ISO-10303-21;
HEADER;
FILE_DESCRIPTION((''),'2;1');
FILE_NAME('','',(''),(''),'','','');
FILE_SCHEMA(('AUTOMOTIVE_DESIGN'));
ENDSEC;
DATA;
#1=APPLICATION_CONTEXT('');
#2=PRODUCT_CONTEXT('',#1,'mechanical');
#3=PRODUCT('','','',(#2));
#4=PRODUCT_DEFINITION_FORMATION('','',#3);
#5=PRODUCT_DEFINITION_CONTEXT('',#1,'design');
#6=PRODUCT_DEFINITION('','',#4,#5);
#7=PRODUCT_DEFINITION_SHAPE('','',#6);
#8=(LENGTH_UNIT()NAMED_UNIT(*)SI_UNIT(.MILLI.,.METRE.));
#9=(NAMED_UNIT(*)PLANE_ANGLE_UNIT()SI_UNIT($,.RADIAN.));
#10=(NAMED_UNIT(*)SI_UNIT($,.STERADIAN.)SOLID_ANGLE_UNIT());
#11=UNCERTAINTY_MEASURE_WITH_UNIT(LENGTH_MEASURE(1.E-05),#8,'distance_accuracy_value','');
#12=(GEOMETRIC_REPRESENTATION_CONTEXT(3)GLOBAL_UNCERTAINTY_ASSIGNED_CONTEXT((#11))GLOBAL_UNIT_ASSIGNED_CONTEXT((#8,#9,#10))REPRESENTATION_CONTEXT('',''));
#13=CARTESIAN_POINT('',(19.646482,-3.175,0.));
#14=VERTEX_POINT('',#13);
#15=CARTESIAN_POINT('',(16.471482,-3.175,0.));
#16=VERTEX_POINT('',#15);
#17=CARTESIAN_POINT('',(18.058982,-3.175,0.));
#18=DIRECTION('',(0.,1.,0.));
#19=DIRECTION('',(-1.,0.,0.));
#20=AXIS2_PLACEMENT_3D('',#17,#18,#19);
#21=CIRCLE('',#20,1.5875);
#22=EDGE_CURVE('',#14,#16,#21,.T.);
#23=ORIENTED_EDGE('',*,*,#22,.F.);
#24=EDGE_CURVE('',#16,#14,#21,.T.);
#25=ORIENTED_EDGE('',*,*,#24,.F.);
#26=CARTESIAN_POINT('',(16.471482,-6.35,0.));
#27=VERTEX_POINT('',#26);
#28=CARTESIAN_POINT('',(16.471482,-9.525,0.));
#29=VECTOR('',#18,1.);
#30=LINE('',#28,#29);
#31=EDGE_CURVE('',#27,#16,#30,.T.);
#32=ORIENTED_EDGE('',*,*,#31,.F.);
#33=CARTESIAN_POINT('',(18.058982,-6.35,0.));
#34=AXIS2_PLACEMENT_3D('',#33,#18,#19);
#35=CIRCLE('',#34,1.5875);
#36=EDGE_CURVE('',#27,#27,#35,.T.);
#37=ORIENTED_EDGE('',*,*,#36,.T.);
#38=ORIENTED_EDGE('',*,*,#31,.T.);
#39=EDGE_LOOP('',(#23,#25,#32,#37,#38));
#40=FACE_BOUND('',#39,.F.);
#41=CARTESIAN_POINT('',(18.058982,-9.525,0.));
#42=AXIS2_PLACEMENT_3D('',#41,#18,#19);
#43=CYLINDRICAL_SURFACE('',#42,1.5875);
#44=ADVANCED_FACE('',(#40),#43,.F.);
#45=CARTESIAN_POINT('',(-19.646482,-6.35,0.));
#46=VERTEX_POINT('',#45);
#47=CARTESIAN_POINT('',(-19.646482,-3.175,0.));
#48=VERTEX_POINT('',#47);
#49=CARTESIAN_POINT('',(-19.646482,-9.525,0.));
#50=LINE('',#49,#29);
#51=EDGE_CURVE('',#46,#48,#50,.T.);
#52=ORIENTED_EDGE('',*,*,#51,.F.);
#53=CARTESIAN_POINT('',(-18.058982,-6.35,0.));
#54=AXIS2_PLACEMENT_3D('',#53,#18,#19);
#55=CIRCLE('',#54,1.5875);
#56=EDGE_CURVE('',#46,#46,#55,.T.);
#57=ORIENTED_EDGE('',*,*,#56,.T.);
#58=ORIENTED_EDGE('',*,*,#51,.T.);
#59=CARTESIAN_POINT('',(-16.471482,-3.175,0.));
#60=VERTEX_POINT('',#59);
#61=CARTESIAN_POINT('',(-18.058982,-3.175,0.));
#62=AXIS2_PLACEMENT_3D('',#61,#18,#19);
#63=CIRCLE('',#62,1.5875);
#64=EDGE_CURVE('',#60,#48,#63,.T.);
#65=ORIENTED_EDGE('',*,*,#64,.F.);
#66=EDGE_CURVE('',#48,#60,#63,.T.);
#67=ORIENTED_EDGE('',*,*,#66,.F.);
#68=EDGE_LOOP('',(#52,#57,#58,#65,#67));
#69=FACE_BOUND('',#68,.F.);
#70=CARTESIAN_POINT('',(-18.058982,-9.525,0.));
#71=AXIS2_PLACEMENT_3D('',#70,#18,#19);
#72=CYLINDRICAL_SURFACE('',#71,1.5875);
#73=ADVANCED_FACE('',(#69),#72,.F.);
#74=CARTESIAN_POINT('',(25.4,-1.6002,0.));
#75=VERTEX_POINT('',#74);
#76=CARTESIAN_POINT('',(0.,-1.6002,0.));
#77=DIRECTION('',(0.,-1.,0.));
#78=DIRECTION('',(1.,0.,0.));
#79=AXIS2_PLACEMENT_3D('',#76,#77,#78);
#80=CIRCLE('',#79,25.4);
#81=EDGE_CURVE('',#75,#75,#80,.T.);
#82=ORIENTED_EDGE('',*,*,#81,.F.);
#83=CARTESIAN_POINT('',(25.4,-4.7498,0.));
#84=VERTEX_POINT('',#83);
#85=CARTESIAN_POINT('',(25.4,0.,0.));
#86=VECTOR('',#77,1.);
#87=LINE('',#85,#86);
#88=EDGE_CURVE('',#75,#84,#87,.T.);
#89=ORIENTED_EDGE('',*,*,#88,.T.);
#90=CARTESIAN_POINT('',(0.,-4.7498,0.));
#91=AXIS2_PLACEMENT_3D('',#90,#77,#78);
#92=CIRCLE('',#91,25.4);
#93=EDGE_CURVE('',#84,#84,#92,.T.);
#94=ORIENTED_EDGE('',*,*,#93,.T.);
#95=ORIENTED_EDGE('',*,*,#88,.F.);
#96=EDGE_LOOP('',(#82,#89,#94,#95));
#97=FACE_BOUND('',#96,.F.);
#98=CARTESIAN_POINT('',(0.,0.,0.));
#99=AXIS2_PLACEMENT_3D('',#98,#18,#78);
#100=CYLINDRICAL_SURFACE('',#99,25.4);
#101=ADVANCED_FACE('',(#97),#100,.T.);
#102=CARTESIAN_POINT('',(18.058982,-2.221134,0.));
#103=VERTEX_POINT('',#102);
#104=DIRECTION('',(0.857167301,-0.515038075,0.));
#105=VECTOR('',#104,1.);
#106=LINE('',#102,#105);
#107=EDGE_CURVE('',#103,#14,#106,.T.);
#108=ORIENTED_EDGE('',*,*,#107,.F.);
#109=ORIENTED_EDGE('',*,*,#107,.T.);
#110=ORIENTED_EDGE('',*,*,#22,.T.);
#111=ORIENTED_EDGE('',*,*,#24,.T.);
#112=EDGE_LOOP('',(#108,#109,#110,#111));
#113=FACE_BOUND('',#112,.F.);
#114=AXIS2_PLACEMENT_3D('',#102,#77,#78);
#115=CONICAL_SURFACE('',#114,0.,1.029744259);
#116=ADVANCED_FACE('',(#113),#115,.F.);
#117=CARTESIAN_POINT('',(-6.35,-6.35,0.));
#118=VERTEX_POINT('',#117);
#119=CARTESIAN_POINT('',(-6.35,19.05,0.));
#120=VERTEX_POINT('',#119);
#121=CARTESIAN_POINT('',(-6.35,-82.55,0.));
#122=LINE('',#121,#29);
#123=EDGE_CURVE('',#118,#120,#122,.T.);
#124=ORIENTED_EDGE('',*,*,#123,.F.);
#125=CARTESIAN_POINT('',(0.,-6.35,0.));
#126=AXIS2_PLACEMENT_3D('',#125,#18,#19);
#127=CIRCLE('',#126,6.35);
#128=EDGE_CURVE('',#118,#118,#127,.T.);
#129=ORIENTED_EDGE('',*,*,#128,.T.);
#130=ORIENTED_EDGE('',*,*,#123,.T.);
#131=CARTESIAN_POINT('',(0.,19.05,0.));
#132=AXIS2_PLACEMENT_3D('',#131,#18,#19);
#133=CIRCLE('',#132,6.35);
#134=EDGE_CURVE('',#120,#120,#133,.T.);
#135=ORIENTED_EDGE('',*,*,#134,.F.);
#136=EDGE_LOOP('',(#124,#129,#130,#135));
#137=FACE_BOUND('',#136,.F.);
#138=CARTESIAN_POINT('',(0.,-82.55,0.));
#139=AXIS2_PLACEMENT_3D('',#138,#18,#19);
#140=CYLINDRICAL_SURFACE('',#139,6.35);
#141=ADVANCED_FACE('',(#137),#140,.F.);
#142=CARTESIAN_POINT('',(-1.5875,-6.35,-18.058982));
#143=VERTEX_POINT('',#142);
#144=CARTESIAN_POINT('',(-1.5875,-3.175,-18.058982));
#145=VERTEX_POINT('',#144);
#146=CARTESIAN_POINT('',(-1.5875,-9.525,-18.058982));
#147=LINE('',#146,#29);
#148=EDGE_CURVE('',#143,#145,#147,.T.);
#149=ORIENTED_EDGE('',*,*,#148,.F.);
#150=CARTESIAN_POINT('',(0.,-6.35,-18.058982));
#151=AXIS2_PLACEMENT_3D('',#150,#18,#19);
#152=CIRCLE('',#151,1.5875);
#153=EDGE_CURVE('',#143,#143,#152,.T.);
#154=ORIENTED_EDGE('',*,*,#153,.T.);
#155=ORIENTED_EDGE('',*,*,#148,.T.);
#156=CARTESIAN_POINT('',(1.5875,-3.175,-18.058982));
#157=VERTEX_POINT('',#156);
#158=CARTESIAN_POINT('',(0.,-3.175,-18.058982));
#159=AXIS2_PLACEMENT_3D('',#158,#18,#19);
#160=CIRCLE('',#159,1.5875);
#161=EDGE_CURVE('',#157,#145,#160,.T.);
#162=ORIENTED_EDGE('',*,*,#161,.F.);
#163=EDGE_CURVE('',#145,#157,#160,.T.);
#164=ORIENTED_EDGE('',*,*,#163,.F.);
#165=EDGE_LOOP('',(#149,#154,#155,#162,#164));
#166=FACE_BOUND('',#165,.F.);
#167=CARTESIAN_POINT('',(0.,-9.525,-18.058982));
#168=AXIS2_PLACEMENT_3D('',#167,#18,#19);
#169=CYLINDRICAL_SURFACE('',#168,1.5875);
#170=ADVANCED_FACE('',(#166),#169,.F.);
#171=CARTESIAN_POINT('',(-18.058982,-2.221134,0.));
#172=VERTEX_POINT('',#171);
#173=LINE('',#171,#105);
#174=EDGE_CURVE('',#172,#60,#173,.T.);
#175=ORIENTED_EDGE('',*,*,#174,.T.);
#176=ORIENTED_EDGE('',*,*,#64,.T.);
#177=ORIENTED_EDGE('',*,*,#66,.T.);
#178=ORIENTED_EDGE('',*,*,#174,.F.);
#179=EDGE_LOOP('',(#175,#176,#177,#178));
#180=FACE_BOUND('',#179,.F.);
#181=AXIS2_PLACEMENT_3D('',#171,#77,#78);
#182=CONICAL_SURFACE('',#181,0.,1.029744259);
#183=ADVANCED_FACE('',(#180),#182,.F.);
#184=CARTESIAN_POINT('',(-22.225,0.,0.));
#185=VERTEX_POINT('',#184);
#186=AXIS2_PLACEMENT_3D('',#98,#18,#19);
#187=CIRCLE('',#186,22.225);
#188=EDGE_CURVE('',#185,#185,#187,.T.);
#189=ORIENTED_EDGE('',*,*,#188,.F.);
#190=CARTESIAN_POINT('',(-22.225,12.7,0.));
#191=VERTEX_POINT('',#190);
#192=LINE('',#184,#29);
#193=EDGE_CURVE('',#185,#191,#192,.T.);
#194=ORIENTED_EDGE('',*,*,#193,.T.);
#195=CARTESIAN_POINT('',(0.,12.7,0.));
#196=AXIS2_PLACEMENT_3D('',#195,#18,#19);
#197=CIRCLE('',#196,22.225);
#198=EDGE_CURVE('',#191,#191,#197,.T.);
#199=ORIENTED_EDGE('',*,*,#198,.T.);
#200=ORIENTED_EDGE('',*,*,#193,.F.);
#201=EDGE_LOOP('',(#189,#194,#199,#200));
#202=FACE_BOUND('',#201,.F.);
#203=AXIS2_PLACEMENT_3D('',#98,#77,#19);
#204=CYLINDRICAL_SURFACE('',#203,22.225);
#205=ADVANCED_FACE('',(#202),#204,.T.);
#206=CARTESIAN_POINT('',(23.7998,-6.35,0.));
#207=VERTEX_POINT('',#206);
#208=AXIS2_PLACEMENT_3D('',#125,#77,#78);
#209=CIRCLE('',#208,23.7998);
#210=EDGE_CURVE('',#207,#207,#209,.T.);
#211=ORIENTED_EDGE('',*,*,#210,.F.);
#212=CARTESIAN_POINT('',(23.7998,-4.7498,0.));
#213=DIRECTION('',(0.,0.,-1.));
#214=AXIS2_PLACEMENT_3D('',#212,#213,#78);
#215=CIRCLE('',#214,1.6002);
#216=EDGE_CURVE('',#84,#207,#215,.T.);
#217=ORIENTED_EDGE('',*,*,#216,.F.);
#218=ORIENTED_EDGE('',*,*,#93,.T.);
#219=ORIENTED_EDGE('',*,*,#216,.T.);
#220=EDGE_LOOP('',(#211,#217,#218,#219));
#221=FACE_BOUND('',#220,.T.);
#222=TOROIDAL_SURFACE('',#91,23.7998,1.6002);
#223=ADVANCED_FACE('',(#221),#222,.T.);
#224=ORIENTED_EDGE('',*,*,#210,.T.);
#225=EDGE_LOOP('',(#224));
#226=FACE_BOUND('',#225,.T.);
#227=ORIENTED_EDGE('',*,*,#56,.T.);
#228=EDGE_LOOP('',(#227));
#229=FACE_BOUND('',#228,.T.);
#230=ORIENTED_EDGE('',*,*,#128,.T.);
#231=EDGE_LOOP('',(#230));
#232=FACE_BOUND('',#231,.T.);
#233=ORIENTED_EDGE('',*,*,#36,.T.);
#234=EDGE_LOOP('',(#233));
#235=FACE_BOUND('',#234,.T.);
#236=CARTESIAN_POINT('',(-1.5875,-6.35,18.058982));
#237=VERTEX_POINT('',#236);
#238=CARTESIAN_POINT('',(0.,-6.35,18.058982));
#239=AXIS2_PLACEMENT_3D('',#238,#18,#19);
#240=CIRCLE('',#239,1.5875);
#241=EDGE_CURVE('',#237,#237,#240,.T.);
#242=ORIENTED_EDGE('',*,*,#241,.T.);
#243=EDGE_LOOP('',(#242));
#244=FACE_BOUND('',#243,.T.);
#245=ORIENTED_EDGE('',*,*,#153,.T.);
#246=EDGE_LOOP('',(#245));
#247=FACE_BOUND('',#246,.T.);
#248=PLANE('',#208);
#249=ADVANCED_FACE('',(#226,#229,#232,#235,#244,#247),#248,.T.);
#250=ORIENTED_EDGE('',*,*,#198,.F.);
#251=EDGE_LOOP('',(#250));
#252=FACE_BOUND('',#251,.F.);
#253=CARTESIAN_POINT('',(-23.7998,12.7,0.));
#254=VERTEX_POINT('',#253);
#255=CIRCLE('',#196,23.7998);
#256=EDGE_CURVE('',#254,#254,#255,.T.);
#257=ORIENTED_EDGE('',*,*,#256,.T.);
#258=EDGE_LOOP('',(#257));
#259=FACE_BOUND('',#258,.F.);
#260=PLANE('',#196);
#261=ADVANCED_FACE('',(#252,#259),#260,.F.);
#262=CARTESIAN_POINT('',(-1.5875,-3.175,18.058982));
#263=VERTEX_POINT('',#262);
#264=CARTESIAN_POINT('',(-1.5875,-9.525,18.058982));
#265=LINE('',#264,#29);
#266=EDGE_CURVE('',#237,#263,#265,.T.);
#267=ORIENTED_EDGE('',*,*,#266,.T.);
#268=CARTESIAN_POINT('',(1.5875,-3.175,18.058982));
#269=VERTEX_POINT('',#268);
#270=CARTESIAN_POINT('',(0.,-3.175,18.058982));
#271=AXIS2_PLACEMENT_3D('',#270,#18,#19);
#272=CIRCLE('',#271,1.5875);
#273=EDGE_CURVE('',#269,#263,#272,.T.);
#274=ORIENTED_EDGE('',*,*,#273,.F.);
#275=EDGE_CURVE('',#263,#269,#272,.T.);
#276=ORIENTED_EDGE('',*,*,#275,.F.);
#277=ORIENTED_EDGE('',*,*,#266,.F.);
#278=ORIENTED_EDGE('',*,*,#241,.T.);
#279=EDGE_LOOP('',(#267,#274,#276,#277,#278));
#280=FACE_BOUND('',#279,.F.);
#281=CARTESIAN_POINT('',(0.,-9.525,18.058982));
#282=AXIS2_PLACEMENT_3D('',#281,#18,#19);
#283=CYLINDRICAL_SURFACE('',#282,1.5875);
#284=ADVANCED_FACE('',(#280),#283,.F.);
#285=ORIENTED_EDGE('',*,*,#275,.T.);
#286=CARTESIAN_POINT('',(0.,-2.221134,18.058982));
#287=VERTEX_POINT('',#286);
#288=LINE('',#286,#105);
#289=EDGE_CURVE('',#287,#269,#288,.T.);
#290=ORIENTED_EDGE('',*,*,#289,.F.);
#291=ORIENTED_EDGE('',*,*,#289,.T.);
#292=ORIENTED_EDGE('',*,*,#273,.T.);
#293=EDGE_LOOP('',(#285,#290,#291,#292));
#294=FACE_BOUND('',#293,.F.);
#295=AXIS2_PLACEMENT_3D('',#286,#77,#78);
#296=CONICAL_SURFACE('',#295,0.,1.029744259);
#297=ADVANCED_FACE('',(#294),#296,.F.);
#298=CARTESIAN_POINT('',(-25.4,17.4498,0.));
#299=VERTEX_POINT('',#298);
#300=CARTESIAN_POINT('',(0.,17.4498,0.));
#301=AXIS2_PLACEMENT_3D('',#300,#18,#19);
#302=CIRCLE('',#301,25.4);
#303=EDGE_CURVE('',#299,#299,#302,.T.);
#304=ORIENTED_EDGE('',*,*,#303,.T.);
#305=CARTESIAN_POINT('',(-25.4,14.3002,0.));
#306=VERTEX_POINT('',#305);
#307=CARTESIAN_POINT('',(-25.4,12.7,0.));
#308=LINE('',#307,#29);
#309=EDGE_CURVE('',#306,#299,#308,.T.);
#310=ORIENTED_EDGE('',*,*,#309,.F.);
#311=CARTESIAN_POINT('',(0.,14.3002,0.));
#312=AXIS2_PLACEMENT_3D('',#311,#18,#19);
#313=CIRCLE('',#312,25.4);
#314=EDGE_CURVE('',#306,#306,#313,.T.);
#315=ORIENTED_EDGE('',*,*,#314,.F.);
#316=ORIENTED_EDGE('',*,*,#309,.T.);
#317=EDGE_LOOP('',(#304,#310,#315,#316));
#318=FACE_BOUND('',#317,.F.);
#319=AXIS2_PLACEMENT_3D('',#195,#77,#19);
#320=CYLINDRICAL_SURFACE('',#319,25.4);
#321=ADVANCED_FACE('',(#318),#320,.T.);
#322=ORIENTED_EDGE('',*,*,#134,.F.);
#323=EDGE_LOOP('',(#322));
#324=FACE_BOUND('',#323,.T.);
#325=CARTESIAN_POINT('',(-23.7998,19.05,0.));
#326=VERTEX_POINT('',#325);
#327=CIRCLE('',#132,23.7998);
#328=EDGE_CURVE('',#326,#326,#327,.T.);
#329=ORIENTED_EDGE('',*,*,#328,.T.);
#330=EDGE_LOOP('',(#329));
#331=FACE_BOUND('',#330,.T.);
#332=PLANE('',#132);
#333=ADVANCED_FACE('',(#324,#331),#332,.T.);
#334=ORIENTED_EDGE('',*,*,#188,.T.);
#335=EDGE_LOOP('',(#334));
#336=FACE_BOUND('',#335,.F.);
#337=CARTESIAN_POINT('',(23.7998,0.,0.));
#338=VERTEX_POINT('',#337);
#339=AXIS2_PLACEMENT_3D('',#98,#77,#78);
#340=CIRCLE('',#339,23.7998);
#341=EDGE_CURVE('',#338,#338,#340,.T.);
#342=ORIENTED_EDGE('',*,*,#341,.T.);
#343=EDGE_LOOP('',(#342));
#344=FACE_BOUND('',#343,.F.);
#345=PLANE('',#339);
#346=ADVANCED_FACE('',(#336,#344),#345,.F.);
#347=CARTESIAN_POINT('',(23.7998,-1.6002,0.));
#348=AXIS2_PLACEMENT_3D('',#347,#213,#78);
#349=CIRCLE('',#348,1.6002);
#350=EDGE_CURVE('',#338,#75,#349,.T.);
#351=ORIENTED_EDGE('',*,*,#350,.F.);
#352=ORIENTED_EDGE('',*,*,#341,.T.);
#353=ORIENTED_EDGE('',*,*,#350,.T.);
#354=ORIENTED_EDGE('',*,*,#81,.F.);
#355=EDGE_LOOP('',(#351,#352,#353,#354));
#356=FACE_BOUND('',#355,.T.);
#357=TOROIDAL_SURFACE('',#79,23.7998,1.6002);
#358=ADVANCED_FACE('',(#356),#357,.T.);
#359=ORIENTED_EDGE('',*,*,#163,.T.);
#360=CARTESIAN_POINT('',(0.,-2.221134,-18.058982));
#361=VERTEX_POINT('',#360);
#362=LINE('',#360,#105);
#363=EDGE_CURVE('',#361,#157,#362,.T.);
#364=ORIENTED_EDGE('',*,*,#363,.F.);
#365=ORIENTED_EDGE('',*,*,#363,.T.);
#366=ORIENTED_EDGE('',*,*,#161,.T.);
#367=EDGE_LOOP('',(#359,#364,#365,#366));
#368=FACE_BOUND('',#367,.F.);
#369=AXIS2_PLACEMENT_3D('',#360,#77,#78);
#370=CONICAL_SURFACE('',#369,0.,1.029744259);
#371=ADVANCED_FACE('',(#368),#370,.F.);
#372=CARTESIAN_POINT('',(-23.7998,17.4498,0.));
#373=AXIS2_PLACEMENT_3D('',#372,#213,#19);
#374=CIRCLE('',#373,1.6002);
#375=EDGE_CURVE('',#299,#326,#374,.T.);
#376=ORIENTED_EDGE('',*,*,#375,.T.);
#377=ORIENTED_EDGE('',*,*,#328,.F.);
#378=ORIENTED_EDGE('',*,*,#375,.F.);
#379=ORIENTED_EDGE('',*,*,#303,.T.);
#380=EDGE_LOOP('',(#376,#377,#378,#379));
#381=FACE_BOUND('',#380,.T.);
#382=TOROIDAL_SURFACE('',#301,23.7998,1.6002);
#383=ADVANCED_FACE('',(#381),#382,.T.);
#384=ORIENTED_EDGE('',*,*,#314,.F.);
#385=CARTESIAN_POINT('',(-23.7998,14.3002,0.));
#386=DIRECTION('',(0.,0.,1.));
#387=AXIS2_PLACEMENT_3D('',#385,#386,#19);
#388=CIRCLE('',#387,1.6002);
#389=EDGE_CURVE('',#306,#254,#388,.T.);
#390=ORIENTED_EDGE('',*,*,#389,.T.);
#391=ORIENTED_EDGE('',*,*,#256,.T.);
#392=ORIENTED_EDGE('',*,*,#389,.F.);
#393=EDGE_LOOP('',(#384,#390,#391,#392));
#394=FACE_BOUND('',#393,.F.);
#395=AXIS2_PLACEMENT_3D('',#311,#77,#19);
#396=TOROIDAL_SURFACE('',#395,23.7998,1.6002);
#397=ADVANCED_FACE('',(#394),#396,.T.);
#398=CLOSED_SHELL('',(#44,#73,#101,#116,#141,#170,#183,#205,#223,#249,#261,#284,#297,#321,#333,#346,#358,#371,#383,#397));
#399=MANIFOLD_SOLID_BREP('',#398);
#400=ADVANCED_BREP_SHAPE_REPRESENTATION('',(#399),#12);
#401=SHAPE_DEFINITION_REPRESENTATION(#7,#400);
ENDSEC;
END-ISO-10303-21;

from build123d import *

# Parameters (mm, degrees)
F0_R     = 25.4
F1_DEPTH = 6.35
F2_R     = 22.225
F3_DEPTH = 12.7
F4_R     = 25.4
F5_DEPTH = 6.35
F6_R     = 1.6002
F8_D     = 3.175
F8_DEPTH = 3.175
F8_TIP   = 0.9538662327
F10_D    = 12.7


with BuildPart() as f1:
    # F0 (on Front) → F1 (new body)
    with BuildSketch(Plane.XZ):
        Circle(F0_R)
    extrude(amount=F1_DEPTH)

    # F2 (on face) → F3 (join)
    with BuildSketch(Plane(origin=(0, 0, 0), x_dir=(-1, 0, 0), z_dir=(0, 1, 0))):
        Circle(F2_R)
    extrude(amount=F3_DEPTH)

    # F4 (on face) → F5 (join)
    with BuildSketch(Plane(origin=(0, 12.7, 0), x_dir=(-1, 0, 0), z_dir=(0, 1, 0))):
        Circle(F4_R)
    extrude(amount=F5_DEPTH)

    # F6
    f6_edges = [f1.edges().sort_by_distance(p)[0] for p in [
        (-25.4, -6.35, 0),
        (25.4, 19.05, 0),
        (-25.4, 0, 0),
        (25.4, 12.7, 0),
    ]]
    fillet(f6_edges, radius=F6_R)

    # F8
    with Locations(Plane.XZ.offset(6.35)):
        with Locations((0, 18.0589817464), (-18.0589817464, 0), (0, -18.0589817464), (18.0589817464, 0)):
            Hole(F8_D / 2, depth=F8_DEPTH)
            with Locations((0, 0, -(F8_DEPTH + F8_TIP / 2))):  # 118° drill point
                Cone(0, F8_D / 2, F8_TIP, mode=Mode.SUBTRACT)

    # F10 (through all)
    with Locations(Plane.XZ.offset(6.35)):
        with Locations((0, 0)):
            Hole(F10_D / 2)


solid = f1.part
